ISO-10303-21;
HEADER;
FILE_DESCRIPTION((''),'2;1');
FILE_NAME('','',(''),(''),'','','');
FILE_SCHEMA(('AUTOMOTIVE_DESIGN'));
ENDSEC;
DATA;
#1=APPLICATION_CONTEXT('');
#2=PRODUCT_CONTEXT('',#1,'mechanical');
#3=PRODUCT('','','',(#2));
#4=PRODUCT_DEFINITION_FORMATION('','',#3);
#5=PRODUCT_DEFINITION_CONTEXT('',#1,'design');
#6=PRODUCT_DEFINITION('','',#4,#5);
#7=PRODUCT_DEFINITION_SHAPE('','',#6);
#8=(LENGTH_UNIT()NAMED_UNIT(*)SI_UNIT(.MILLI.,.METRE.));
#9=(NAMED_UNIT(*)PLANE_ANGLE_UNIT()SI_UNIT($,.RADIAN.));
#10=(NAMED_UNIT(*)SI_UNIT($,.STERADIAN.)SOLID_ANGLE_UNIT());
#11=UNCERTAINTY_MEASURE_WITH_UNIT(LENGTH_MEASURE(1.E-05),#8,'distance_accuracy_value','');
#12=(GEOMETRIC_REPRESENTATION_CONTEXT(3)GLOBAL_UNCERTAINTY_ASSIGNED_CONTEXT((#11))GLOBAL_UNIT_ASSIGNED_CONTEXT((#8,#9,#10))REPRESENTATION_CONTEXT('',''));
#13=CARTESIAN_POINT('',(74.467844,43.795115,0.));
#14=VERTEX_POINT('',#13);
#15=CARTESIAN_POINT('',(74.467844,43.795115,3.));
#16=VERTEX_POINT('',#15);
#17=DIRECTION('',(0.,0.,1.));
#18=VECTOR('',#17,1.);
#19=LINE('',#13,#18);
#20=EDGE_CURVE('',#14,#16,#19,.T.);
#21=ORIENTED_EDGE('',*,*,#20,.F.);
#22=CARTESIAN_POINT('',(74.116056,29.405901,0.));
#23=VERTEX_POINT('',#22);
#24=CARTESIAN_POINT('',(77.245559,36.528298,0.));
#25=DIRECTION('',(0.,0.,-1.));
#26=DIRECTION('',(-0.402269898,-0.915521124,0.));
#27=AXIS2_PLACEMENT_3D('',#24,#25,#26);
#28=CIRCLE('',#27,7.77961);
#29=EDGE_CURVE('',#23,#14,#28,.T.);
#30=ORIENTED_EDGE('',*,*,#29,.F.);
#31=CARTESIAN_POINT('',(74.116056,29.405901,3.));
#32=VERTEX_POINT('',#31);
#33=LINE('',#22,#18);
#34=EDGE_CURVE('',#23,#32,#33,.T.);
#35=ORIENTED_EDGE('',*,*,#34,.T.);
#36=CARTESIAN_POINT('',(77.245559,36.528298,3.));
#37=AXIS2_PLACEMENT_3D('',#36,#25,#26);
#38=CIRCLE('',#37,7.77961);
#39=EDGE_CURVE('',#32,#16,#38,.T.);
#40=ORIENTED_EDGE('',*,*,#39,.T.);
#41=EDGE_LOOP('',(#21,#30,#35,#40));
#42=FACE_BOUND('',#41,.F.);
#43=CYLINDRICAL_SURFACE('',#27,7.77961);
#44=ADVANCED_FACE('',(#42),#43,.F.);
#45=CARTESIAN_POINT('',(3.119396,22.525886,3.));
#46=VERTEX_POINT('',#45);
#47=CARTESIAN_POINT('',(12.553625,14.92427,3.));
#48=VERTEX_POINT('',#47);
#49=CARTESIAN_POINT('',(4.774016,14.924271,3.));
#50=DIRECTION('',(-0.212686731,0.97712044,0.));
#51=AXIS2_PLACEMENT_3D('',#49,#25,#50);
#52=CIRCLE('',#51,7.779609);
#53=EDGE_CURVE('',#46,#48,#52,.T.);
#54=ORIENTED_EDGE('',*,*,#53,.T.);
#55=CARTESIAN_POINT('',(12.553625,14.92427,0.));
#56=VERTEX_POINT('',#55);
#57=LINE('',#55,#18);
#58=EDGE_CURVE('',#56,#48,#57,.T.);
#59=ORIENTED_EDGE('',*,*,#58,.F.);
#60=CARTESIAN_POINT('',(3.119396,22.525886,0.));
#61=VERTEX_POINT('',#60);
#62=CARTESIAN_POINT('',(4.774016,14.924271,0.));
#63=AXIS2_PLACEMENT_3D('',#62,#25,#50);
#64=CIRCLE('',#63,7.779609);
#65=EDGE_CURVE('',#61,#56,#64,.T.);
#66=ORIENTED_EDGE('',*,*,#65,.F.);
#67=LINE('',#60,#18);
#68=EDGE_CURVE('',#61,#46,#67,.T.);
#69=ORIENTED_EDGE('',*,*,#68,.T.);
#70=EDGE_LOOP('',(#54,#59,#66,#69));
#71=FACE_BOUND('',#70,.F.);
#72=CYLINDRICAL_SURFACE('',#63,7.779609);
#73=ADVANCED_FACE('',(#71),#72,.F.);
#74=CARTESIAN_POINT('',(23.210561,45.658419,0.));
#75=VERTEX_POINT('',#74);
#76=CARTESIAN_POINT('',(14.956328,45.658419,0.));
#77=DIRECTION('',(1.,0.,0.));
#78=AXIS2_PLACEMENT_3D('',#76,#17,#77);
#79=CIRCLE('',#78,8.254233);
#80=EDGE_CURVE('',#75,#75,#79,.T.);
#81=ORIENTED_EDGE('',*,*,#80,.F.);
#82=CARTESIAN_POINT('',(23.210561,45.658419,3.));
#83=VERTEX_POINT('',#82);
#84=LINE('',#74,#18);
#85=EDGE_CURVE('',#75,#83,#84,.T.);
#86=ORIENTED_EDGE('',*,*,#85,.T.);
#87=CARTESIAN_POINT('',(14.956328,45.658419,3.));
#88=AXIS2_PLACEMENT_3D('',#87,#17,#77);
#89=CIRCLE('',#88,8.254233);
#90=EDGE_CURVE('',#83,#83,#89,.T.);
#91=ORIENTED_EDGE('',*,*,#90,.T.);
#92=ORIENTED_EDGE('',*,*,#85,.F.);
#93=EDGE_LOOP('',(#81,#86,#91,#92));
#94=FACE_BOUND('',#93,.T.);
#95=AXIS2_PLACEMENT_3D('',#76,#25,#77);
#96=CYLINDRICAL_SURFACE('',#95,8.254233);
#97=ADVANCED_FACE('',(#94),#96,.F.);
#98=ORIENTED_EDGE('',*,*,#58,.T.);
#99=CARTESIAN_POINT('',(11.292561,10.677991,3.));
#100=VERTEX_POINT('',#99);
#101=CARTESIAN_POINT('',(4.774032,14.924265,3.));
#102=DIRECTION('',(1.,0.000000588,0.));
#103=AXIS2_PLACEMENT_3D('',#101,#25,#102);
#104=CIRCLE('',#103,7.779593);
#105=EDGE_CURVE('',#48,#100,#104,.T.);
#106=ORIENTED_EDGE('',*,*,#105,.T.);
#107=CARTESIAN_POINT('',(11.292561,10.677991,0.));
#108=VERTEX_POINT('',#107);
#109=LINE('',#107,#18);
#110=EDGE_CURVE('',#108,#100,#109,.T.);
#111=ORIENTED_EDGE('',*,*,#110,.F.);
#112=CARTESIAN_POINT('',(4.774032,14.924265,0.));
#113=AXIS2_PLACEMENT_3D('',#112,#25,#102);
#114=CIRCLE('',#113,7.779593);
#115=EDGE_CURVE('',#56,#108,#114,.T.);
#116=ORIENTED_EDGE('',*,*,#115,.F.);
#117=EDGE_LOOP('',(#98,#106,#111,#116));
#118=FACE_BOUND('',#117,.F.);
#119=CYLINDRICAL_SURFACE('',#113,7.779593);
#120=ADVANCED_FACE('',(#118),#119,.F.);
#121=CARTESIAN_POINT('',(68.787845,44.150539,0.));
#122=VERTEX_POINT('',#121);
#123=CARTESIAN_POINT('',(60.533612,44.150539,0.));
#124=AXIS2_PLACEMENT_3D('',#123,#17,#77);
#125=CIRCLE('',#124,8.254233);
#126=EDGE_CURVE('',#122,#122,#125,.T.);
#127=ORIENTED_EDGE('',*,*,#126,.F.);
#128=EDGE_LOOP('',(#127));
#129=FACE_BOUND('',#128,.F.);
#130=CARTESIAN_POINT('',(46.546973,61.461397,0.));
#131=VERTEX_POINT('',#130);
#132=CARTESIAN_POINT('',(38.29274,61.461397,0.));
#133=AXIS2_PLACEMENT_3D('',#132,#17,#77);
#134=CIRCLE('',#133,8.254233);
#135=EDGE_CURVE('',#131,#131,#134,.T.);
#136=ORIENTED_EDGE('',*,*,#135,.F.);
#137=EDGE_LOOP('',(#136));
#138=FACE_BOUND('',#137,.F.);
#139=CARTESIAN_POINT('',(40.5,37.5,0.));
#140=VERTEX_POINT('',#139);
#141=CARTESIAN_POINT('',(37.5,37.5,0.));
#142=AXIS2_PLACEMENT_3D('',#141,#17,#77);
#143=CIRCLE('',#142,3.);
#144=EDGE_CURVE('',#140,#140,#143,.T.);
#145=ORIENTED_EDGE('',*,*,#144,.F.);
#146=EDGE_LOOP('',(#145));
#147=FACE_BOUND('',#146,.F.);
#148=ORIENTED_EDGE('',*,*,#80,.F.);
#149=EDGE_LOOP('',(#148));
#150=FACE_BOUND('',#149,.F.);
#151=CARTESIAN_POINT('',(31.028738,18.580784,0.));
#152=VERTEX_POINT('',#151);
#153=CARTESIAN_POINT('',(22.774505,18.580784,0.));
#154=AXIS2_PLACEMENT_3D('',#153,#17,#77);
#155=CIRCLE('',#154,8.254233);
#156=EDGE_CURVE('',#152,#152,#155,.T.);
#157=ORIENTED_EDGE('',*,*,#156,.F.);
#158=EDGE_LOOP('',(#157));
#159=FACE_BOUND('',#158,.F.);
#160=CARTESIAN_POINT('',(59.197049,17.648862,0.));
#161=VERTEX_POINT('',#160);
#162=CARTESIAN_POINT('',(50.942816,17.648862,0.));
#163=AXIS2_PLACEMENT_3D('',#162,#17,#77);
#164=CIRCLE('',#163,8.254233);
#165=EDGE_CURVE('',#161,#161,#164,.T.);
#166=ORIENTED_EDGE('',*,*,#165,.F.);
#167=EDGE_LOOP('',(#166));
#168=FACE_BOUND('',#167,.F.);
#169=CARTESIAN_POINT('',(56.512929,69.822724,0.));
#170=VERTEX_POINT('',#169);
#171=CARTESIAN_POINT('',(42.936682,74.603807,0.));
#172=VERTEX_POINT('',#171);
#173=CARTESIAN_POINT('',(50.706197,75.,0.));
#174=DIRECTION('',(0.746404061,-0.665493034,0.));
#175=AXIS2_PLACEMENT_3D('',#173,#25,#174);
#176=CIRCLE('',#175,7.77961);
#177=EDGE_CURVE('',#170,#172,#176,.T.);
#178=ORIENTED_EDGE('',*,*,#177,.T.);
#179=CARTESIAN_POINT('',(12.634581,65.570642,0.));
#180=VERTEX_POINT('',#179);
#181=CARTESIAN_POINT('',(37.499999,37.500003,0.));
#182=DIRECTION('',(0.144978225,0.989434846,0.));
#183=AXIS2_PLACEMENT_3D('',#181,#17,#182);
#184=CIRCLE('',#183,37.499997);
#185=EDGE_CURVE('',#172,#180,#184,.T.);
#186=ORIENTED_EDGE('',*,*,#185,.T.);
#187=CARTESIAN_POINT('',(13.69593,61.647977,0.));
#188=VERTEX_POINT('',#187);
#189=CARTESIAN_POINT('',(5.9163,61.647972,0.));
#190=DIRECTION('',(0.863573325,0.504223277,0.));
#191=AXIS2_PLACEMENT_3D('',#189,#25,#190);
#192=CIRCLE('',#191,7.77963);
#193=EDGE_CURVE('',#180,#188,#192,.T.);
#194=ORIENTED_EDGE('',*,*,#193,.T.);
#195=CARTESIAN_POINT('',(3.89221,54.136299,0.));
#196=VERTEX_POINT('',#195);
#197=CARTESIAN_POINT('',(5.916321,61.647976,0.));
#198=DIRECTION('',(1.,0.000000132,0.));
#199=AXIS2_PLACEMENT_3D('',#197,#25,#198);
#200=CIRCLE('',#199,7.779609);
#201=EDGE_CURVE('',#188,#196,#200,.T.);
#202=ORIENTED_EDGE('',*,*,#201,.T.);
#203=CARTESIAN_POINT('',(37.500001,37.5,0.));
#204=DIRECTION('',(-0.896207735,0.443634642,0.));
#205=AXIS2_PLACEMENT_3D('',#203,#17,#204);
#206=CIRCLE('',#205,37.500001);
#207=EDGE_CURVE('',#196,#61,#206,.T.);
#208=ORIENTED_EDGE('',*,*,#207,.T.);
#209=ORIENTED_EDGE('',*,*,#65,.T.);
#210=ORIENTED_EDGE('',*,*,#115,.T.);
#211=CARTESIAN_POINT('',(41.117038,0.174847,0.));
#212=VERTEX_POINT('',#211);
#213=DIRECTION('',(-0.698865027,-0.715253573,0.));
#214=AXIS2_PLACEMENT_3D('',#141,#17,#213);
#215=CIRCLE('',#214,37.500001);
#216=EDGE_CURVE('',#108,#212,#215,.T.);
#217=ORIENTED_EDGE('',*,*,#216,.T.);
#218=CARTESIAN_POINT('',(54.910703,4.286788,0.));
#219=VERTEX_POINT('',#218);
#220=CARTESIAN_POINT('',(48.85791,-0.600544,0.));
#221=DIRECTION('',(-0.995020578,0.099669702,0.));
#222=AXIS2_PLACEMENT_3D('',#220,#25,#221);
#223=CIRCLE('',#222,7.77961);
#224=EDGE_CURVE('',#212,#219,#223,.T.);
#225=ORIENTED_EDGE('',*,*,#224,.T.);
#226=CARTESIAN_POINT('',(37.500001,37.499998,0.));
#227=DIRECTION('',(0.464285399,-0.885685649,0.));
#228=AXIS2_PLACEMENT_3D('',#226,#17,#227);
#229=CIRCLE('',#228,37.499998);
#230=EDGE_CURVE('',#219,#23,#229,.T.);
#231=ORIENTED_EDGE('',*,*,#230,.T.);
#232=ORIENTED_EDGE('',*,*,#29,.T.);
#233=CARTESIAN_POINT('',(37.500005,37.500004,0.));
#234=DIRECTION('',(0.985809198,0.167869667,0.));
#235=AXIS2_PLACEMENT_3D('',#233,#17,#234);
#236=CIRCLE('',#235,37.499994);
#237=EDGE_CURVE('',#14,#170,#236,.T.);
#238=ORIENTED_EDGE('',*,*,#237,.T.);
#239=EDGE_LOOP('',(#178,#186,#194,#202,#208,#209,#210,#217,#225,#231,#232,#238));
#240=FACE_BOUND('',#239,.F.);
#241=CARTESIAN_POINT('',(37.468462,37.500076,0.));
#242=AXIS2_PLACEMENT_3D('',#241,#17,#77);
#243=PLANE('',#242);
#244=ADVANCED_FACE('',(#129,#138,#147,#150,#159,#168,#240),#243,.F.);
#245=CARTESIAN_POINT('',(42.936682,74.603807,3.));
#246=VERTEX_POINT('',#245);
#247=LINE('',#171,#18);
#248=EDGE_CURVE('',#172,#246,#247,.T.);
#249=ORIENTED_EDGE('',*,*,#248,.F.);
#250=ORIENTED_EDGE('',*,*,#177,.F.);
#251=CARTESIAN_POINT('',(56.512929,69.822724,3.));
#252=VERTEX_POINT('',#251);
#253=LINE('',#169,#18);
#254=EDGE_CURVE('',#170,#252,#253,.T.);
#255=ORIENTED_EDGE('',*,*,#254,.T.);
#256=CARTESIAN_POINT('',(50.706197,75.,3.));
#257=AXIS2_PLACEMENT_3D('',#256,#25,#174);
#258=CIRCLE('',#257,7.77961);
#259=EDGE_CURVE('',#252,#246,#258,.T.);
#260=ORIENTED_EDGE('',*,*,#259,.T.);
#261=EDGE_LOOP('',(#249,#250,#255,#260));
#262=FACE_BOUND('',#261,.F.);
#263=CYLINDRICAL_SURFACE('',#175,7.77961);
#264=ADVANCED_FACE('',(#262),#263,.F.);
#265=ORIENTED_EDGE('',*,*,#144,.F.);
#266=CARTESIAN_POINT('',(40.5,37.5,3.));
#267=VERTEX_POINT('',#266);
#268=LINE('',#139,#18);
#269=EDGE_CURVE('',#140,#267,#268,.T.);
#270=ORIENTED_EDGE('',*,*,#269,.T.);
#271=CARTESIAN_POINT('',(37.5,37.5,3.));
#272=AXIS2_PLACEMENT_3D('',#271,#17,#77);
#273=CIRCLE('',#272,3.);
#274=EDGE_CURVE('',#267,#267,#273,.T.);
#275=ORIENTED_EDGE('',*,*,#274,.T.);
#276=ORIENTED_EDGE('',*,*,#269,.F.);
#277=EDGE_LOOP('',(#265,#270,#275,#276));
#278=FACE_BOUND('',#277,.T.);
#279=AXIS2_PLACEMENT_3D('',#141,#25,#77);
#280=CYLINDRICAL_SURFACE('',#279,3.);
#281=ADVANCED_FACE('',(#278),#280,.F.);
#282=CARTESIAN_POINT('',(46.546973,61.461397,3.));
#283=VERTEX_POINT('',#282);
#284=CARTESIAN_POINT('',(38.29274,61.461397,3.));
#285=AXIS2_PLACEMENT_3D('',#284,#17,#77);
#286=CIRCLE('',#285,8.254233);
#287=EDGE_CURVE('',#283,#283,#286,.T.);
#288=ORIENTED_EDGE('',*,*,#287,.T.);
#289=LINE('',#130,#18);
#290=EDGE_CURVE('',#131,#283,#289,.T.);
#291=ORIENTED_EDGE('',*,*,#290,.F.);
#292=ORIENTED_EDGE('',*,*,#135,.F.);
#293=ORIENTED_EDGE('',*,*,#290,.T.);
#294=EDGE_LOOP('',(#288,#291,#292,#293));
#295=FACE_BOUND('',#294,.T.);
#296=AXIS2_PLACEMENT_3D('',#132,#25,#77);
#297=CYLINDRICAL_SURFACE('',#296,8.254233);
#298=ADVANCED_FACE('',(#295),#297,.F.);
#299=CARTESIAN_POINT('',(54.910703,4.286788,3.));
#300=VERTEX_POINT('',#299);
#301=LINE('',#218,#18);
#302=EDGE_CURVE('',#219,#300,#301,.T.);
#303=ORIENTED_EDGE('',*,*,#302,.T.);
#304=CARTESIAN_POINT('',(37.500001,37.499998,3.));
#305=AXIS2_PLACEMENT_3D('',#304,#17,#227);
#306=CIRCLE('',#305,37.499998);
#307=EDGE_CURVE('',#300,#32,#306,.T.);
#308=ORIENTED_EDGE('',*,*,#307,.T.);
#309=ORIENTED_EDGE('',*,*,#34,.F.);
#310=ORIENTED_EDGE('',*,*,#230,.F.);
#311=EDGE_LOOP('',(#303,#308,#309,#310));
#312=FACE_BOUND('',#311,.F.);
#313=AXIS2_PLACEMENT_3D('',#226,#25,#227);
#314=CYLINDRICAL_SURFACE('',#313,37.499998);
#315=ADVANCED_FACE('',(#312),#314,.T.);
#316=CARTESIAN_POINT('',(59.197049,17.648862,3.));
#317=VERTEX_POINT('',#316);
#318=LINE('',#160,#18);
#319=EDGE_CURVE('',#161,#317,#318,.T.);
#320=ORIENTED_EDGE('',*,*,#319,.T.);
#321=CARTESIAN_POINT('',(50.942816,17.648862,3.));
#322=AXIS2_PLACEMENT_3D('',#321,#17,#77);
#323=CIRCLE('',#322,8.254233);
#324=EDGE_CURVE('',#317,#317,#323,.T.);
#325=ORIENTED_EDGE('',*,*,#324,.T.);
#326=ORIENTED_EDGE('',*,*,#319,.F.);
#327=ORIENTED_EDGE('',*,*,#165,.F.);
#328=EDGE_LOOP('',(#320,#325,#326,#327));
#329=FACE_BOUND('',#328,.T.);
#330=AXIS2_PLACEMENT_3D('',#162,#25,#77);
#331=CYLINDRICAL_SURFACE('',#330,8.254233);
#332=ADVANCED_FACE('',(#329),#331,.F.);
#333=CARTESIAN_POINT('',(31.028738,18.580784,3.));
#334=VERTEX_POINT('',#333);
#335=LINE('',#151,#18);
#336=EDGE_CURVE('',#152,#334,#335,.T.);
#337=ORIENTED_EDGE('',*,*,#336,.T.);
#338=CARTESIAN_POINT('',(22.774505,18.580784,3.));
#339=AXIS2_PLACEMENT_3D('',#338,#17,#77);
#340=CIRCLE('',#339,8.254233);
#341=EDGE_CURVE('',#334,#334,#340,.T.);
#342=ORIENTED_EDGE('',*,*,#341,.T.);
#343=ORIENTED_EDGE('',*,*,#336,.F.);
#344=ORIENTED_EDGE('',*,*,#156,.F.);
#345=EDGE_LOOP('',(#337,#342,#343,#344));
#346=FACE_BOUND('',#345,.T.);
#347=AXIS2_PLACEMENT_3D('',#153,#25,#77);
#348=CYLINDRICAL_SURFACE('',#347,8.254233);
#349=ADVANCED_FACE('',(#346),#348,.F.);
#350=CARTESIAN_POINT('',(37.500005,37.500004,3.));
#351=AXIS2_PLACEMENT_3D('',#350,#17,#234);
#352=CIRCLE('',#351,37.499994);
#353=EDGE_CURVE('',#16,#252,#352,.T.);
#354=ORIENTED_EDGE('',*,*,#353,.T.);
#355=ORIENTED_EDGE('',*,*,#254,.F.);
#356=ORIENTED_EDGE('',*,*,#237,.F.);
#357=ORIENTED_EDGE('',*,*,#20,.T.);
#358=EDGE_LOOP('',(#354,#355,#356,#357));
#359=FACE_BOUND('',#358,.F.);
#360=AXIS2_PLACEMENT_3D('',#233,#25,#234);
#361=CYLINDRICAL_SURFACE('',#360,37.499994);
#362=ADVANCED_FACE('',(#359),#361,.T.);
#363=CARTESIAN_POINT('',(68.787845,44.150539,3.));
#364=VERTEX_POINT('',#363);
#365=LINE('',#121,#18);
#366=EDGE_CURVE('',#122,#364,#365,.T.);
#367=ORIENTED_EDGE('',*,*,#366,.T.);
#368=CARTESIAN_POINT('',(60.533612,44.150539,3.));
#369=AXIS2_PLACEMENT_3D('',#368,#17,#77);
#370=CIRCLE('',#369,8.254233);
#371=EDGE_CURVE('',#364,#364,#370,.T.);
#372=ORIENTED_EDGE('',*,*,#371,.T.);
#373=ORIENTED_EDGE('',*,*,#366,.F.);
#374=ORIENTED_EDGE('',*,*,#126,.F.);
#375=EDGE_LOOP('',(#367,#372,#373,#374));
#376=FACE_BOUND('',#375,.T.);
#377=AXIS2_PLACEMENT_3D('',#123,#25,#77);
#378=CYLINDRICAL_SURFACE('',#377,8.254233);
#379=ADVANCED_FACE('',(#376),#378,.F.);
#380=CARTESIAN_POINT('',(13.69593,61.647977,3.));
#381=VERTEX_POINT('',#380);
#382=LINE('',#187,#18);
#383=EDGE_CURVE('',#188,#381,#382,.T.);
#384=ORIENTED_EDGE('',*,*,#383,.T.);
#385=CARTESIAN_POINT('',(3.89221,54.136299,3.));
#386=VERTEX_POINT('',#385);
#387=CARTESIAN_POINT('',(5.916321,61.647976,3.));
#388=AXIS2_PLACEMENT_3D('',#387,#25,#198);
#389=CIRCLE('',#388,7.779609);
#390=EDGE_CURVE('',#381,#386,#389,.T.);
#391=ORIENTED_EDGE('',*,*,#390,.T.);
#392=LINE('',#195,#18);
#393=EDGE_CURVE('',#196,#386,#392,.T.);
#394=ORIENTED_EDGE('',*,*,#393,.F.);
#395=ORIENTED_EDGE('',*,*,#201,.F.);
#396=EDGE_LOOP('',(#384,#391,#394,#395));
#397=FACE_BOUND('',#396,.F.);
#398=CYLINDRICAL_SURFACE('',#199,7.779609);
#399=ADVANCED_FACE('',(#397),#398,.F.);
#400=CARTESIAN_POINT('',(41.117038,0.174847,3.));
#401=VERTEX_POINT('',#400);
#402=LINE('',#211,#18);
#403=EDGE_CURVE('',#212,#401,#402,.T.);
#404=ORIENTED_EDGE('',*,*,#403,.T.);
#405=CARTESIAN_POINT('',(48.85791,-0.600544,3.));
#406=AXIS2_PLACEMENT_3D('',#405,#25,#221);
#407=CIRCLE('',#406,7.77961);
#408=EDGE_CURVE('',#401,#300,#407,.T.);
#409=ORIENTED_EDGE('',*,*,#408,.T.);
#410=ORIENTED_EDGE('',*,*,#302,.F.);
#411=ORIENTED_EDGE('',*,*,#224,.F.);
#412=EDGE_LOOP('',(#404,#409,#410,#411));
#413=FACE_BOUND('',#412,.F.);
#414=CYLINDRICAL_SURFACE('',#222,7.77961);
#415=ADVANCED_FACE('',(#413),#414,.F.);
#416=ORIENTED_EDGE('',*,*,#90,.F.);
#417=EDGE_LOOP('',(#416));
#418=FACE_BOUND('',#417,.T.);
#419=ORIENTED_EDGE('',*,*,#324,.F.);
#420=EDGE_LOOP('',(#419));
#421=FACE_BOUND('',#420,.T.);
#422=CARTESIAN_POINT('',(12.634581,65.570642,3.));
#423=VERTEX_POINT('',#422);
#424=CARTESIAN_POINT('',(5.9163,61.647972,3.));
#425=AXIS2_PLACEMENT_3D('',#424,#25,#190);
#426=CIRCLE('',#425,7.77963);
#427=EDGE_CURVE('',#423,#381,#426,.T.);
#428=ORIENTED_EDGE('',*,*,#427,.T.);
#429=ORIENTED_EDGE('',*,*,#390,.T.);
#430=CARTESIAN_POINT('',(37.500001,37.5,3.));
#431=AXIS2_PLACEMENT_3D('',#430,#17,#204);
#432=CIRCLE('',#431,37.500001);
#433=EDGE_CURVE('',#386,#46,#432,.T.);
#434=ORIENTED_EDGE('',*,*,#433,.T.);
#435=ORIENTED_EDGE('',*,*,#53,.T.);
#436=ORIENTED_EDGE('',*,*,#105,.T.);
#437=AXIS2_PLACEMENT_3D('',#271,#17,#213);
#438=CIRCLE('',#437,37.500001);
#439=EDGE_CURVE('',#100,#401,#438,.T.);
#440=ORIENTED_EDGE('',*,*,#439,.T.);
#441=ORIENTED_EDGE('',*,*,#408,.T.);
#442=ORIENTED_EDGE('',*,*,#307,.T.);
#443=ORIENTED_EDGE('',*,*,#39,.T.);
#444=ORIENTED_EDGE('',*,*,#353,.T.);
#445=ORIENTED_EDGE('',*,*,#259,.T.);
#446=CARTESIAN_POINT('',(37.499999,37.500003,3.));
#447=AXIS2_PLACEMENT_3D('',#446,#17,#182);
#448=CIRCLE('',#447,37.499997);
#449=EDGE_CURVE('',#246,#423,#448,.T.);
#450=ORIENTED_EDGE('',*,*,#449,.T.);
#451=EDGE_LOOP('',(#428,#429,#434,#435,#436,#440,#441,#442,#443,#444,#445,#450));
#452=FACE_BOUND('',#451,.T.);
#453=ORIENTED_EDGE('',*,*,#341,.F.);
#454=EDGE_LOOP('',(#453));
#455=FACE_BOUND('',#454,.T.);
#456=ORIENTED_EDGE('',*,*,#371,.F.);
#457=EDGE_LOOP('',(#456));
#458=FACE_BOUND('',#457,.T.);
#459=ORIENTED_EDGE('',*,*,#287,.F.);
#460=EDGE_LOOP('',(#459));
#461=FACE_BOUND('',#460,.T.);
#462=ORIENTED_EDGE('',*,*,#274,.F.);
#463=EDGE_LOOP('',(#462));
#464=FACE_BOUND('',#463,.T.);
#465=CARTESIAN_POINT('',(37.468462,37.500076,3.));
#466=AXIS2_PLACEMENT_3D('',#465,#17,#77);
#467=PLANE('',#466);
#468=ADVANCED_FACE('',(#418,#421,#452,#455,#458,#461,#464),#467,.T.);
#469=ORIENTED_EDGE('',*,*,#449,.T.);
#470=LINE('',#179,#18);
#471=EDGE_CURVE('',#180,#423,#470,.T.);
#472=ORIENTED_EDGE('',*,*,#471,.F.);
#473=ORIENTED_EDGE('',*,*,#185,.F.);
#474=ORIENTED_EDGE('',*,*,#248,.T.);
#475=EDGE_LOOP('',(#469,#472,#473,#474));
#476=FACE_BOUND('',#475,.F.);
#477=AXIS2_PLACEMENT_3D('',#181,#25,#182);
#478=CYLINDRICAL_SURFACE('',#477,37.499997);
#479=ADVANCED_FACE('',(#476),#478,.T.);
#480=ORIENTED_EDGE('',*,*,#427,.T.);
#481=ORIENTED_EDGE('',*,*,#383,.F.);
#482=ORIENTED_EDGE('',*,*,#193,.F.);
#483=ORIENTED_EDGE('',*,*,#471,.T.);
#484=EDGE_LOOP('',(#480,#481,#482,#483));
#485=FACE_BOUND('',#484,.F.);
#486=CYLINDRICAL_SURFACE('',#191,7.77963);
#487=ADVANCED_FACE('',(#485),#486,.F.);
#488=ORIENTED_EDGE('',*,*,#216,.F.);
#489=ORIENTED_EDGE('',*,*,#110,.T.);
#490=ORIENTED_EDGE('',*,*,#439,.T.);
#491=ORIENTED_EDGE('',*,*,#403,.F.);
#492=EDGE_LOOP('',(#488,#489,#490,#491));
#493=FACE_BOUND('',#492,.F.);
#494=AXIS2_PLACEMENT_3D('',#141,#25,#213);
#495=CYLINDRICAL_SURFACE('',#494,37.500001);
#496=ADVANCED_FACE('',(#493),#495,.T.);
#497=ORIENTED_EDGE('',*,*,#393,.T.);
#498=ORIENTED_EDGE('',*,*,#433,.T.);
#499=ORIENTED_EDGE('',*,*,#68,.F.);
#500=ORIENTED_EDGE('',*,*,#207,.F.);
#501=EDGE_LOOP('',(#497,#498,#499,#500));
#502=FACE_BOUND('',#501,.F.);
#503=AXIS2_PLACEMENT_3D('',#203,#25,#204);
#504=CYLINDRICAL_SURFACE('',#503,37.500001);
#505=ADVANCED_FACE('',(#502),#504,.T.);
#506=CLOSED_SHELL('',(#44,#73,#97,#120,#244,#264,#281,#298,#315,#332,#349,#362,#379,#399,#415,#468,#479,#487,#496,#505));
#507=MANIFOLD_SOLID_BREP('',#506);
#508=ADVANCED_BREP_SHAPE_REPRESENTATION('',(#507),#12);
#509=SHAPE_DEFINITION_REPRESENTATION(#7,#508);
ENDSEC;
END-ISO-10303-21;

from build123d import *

# Parameters (mm, degrees)
F0_R     = 8.254233
F0_R_2   = 3
F1_DEPTH = 3


with BuildPart() as f1:
    # F0 (on Top) → F1 (new body)
    with BuildSketch(Plane.XY):
        with BuildLine():
            ThreePointArc((74.116056, 29.405901), (69.468273, 36.718438), (74.467844, 43.795115))
            ThreePointArc((74.467844, 43.795115), (68.367797, 58.793875), (56.512929, 69.822724))
            ThreePointArc((56.512929, 69.822724), (48.12205, 67.662118), (42.936682, 74.603807))
            ThreePointArc((42.936682, 74.603807), (26.786995, 73.437189), (12.634581, 65.570642))
            ThreePointArc((12.634581, 65.570642), (13.425906, 63.679833), (13.69593, 61.647977))
            ThreePointArc((13.69593, 61.647977), (10.647892, 55.472658), (3.89221, 54.136299))
            ThreePointArc((3.89221, 54.136299), (0.011202, 38.416529), (3.119396, 22.525886))
            ThreePointArc((3.119396, 22.525886), (9.655103, 20.982101), (12.553625, 14.92427))
            ThreePointArc((12.553625, 14.92427), (12.231699, 12.709481), (11.292561, 10.677991))
            ThreePointArc((11.292561, 10.677991), (25.043654, 2.129257), (41.117038, 0.174847))
            ThreePointArc((41.117038, 0.174847), (46.635429, 6.85485), (54.910703, 4.286788))
            ThreePointArc((54.910703, 4.286788), (67.290353, 14.72315), (74.116056, 29.405901))
        make_face()
        with Locations((22.774505, 18.580784)):
            Circle(F0_R, mode=Mode.SUBTRACT)
        with Locations((50.942816, 17.648862)):
            Circle(F0_R, mode=Mode.SUBTRACT)
        with Locations((14.956328, 45.658419)):
            Circle(F0_R, mode=Mode.SUBTRACT)
        with Locations((37.5, 37.5)):
            Circle(F0_R_2, mode=Mode.SUBTRACT)
        with Locations((38.29274, 61.461397)):
            Circle(F0_R, mode=Mode.SUBTRACT)
        with Locations((60.533612, 44.150539)):
            Circle(F0_R, mode=Mode.SUBTRACT)
    extrude(amount=F1_DEPTH)


solid = f1.part
